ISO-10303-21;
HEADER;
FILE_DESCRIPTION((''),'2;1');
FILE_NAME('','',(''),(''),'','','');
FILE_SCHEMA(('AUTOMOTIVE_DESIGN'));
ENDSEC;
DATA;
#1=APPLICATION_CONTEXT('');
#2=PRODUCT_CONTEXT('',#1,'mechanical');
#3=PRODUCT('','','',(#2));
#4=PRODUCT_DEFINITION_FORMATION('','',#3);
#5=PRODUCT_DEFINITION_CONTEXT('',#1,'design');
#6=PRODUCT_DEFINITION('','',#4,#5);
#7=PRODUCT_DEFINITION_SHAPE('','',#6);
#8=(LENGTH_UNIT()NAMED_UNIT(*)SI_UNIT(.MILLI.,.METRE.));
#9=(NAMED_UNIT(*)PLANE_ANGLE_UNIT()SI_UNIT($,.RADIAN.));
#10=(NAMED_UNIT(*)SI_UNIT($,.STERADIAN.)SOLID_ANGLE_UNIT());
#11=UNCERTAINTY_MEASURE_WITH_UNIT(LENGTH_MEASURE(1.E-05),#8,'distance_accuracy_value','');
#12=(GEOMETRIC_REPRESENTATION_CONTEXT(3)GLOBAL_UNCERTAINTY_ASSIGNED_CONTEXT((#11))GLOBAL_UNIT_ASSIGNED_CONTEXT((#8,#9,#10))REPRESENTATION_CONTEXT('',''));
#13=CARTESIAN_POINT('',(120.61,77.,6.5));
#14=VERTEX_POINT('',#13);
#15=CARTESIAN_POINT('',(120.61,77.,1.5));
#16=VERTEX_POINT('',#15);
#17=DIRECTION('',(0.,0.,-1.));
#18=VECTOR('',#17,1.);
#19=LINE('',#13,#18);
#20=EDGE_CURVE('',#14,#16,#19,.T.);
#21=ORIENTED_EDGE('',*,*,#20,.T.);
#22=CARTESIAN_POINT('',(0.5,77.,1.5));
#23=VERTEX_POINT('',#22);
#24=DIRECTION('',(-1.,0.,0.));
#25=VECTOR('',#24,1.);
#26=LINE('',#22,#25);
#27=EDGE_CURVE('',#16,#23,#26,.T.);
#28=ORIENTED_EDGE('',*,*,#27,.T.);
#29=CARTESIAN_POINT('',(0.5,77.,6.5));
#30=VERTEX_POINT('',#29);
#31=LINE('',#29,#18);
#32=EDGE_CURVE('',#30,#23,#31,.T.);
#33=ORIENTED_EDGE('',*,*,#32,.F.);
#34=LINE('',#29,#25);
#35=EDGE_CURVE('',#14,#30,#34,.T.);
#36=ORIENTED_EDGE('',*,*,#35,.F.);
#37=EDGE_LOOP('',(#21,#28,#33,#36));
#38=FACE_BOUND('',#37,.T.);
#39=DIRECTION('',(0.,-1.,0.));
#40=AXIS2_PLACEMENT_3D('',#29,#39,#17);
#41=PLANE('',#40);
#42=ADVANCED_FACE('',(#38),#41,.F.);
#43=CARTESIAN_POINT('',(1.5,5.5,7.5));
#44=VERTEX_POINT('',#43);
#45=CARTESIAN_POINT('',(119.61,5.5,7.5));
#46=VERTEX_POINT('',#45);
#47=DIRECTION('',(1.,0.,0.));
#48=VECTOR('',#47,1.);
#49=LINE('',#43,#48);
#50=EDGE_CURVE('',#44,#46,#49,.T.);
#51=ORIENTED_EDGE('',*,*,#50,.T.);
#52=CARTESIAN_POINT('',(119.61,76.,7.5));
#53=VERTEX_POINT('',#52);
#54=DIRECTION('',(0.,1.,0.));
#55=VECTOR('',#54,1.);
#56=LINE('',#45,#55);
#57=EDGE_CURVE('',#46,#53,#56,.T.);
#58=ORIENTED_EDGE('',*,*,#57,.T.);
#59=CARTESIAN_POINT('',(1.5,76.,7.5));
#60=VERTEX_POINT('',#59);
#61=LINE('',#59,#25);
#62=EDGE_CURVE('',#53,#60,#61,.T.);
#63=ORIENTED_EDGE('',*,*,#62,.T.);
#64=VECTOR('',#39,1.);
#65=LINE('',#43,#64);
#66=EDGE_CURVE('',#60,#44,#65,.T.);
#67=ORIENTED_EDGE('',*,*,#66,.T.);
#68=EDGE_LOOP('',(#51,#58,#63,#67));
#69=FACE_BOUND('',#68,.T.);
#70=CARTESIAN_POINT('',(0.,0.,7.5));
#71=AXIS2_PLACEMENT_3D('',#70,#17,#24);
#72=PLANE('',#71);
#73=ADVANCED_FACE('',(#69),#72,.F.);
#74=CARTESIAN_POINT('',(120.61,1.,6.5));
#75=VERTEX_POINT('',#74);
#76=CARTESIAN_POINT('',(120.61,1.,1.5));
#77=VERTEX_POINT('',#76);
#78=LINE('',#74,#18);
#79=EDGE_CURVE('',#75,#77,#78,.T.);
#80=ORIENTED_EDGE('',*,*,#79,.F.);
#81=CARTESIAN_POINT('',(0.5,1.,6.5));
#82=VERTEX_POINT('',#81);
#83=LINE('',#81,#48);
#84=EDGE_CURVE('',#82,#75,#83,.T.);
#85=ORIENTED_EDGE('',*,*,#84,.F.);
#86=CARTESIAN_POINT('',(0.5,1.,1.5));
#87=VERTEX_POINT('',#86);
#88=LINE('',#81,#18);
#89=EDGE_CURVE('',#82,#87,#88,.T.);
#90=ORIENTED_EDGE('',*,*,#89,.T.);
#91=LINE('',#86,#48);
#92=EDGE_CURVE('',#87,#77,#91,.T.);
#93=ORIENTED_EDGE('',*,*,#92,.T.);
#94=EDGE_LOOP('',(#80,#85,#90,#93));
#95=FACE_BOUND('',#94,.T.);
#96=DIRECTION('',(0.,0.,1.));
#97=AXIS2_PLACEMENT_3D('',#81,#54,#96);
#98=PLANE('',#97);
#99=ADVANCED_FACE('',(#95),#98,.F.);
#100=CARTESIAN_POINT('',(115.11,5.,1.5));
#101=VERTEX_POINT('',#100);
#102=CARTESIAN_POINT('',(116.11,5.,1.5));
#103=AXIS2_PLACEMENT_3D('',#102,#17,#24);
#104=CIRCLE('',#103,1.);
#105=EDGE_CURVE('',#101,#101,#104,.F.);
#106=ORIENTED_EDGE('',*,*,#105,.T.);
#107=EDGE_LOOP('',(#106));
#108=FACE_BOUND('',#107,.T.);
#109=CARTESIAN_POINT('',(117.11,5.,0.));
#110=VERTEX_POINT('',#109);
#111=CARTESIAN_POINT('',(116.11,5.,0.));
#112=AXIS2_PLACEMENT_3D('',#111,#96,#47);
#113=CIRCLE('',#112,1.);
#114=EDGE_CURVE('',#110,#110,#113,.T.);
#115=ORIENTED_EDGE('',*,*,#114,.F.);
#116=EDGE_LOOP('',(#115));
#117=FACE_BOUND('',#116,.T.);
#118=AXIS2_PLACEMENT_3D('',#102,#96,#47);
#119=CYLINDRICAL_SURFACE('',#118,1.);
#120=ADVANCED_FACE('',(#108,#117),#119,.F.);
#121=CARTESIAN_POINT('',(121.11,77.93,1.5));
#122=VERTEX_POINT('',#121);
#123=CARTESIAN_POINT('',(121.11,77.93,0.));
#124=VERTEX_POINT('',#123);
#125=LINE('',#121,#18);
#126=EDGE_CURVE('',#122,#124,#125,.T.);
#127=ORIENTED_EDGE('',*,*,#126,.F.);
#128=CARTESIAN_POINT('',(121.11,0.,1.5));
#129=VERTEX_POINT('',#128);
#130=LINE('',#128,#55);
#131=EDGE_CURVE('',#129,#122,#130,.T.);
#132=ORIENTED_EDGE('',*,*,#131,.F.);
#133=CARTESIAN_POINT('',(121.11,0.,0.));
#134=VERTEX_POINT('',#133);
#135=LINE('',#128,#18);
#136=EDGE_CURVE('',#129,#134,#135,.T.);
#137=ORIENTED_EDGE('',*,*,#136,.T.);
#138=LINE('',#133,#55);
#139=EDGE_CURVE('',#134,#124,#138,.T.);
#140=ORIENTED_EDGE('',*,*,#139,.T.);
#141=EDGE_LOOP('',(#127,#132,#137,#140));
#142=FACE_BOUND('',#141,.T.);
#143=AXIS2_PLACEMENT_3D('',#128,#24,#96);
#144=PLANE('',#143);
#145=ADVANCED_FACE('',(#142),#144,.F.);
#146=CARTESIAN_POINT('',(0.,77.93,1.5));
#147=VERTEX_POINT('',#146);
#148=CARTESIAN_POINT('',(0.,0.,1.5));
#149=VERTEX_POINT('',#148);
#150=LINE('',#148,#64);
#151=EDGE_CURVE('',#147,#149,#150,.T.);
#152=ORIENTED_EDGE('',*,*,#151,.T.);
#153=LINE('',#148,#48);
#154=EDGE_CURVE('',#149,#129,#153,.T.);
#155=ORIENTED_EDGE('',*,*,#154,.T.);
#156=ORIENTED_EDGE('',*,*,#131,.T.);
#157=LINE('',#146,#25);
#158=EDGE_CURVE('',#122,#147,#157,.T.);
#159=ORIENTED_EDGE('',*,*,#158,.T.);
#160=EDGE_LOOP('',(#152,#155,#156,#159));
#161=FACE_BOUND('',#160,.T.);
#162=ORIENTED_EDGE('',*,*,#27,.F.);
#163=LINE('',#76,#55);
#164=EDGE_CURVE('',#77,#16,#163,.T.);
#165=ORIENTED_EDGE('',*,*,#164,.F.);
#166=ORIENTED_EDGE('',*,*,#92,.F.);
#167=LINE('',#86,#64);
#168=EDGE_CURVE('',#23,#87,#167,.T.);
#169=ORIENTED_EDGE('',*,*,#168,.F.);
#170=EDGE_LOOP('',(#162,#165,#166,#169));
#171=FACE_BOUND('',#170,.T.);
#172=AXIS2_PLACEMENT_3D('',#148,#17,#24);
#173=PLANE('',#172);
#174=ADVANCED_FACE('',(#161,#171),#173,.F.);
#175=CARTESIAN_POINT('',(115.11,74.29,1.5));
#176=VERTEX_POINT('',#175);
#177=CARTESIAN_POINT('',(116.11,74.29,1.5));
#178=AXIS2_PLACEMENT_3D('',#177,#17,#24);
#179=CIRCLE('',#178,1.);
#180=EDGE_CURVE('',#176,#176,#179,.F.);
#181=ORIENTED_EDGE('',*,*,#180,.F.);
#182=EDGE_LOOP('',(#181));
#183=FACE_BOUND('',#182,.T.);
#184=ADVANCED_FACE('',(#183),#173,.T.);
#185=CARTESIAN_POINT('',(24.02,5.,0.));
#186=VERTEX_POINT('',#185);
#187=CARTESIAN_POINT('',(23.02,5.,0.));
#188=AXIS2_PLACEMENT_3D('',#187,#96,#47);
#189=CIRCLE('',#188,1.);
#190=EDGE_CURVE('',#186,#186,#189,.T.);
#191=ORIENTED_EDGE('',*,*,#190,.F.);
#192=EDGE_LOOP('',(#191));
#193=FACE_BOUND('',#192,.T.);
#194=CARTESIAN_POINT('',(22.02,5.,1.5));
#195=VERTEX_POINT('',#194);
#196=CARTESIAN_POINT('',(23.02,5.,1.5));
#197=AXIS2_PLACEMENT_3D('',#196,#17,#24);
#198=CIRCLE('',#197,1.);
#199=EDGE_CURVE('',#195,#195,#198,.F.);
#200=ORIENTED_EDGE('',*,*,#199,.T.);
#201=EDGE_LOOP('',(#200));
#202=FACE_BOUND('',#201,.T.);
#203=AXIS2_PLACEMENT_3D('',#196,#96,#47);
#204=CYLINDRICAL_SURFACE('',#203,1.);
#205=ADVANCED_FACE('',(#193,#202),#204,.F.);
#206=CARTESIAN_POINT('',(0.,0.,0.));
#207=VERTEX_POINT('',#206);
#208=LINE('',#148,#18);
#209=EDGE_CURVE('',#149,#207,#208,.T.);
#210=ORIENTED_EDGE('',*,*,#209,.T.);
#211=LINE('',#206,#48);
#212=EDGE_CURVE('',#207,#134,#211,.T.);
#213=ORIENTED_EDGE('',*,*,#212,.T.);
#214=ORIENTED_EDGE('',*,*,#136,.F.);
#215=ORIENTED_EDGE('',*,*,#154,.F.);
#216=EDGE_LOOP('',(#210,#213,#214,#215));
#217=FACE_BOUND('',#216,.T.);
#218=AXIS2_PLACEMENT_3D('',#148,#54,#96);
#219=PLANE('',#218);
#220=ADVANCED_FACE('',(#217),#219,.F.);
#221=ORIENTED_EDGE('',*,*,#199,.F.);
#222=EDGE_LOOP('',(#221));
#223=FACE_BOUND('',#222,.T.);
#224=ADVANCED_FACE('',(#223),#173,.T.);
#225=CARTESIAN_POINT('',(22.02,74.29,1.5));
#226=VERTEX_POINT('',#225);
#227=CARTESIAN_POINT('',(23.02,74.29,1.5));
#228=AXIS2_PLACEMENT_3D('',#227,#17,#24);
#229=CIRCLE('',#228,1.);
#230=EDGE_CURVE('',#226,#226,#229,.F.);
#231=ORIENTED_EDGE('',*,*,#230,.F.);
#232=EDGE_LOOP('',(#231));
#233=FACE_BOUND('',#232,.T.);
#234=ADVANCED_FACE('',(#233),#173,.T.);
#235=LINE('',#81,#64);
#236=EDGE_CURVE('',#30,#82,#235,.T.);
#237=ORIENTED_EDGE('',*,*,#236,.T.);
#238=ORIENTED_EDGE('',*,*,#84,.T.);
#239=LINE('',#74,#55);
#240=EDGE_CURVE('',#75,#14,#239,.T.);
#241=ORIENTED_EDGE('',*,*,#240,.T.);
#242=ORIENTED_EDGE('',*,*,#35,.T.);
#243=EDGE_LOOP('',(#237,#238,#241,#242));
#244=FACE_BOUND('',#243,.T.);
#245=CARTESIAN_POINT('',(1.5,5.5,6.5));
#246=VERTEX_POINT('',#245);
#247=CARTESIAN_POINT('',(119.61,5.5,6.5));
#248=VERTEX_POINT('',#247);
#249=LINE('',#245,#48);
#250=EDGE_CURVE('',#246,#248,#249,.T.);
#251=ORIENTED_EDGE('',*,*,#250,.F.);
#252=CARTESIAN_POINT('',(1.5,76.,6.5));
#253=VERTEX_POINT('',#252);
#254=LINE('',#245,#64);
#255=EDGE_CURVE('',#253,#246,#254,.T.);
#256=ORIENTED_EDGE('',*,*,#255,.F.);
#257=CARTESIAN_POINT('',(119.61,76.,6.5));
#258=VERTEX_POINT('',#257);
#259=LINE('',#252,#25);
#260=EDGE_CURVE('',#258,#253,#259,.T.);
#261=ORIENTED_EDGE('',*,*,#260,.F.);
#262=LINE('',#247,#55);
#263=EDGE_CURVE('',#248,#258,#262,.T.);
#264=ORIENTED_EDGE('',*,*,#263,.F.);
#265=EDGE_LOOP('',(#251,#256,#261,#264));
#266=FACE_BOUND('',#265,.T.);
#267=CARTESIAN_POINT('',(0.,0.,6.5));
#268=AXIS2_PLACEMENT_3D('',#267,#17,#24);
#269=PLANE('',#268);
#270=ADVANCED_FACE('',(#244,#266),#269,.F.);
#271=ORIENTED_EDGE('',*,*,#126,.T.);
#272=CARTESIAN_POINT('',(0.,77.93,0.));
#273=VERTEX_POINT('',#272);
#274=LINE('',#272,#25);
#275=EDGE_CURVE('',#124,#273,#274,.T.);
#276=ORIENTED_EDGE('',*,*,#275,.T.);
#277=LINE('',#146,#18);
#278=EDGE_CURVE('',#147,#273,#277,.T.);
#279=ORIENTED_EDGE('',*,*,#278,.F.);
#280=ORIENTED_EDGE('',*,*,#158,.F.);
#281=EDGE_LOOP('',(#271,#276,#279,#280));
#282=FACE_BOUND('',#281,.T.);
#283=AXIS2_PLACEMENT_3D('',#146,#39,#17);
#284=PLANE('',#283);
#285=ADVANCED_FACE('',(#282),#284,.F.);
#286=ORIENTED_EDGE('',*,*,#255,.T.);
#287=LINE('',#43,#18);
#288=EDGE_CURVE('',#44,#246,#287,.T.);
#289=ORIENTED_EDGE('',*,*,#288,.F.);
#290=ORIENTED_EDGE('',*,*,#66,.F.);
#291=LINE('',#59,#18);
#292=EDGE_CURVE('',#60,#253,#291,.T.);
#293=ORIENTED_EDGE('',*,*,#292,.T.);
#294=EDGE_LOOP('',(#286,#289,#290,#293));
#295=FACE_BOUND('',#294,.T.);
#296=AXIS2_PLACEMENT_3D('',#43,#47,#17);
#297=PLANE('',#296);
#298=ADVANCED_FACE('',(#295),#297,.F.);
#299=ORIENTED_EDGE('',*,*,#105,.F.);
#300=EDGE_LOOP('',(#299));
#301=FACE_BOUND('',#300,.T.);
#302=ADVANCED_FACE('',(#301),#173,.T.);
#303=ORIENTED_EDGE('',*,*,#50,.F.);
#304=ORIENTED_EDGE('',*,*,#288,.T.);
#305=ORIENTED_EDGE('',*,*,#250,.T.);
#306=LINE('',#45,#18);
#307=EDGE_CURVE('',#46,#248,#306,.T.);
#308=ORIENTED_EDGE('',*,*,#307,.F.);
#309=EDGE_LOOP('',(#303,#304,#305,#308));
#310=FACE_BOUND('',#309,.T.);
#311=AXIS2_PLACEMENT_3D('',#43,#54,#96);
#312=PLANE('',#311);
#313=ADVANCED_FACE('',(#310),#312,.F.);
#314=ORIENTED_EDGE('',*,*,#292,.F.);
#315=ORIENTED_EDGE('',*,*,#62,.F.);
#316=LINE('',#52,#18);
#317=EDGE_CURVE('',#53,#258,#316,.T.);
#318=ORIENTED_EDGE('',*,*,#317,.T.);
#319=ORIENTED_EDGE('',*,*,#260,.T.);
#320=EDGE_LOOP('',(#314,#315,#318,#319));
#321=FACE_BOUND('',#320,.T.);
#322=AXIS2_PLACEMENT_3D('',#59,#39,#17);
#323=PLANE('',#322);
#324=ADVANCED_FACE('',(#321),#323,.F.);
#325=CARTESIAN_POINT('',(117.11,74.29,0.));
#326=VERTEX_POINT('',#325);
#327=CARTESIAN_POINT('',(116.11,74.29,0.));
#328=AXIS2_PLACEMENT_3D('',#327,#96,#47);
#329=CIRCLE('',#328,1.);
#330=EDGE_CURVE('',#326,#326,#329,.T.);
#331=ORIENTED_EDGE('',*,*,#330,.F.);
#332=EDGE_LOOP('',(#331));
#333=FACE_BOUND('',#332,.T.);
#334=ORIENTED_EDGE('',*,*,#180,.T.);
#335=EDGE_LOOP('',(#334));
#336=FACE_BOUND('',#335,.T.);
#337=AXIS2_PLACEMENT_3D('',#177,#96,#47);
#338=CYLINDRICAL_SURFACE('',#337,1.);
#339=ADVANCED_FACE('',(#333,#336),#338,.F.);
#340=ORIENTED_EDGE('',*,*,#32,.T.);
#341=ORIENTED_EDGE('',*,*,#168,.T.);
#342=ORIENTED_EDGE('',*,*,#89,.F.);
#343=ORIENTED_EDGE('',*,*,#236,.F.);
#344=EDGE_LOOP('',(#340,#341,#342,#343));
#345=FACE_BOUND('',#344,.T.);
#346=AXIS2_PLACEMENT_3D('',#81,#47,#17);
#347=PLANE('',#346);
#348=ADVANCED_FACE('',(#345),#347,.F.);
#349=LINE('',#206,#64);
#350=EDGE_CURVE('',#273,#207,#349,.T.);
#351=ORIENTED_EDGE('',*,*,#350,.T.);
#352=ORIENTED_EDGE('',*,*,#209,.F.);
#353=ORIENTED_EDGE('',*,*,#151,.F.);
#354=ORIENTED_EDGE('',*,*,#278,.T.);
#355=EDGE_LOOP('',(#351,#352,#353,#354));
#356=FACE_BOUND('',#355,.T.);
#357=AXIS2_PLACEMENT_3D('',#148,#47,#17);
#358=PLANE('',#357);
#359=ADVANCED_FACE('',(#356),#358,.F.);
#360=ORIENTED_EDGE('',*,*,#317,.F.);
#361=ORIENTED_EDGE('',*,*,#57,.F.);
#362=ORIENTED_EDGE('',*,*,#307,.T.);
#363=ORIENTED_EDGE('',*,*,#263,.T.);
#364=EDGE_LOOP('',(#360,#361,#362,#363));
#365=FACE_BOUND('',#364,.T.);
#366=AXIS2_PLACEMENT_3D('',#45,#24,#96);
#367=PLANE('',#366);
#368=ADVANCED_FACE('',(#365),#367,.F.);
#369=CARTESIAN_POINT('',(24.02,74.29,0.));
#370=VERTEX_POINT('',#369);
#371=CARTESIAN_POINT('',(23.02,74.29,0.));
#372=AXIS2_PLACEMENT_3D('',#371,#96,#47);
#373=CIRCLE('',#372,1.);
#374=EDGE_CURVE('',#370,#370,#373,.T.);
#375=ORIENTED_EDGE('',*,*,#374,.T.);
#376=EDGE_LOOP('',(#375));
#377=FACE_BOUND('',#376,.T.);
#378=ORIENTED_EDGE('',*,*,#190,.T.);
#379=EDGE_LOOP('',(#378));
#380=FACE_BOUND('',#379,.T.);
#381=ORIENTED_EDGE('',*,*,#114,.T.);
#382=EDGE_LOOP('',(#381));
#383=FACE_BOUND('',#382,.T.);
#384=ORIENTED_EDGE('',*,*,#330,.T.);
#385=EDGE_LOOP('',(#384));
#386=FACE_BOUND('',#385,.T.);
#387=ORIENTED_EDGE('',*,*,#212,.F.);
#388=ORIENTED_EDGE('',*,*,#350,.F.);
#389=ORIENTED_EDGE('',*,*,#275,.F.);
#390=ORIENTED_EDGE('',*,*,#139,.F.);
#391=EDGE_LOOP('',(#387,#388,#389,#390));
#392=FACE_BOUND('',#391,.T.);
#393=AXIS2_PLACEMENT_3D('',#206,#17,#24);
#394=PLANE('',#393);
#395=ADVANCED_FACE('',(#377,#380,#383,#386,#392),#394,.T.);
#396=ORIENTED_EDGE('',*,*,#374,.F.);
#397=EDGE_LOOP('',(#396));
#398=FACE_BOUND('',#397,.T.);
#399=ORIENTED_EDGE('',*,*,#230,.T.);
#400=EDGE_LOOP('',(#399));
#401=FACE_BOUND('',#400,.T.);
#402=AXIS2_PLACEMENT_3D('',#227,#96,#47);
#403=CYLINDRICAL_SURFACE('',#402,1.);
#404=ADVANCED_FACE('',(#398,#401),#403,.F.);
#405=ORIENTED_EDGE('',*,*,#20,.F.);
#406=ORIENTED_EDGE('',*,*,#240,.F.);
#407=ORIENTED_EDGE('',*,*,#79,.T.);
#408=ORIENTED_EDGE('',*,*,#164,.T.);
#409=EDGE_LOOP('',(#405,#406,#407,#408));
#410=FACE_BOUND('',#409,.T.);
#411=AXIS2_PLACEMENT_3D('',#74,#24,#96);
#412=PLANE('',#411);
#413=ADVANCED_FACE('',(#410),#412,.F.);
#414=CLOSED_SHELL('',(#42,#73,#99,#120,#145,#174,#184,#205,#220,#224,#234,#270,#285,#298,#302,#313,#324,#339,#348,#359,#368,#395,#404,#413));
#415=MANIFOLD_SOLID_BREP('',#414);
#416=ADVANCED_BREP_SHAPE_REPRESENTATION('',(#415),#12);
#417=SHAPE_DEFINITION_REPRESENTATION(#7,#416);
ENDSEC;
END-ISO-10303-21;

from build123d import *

# Parameters (mm, degrees)
SKETCH_1_W            = 121.11
SKETCH_1_H            = 77.93
EXTRUDE_1_DEPTH       = 1.5
HOLE_WIZARD_2_0_2_1_D = 2
SKETCH_4_W            = 120.11
SKETCH_4_H            = 76
EXTRUDE_2_DEPTH       = 5
SKETCH_5_W            = 118.11
SKETCH_5_H            = 70.5
EXTRUDE_3_DEPTH       = 1


with BuildPart() as part:
    # 草图1 → 凸台-拉伸1 (new body)
    with BuildSketch(Plane.XY):
        with Locations((60.555, 38.965)):
            Rectangle(SKETCH_1_W, SKETCH_1_H)
    extrude(amount=EXTRUDE_1_DEPTH)

    # Ø2.0 (2) 直径孔1 (through all)
    with Locations(Plane.XY.offset(1.5)):
        with Locations((23.02, 74.29), (23.02, 5), (116.11, 74.29), (116.11, 5)):
            Hole(HOLE_WIZARD_2_0_2_1_D / 2)

    # 草图4 → 凸台-拉伸2 (add)
    with BuildSketch(Plane.XY.offset(1.5)):
        with Locations((60.555, 39)):
            Rectangle(SKETCH_4_W, SKETCH_4_H)
    extrude(amount=EXTRUDE_2_DEPTH)

    # 草图5 → 凸台-拉伸3 (add)
    with BuildSketch(Plane.XY.offset(6.5)):
        with Locations((60.555, 40.75)):
            Rectangle(SKETCH_5_W, SKETCH_5_H)
    extrude(amount=EXTRUDE_3_DEPTH)


solid = part.part
